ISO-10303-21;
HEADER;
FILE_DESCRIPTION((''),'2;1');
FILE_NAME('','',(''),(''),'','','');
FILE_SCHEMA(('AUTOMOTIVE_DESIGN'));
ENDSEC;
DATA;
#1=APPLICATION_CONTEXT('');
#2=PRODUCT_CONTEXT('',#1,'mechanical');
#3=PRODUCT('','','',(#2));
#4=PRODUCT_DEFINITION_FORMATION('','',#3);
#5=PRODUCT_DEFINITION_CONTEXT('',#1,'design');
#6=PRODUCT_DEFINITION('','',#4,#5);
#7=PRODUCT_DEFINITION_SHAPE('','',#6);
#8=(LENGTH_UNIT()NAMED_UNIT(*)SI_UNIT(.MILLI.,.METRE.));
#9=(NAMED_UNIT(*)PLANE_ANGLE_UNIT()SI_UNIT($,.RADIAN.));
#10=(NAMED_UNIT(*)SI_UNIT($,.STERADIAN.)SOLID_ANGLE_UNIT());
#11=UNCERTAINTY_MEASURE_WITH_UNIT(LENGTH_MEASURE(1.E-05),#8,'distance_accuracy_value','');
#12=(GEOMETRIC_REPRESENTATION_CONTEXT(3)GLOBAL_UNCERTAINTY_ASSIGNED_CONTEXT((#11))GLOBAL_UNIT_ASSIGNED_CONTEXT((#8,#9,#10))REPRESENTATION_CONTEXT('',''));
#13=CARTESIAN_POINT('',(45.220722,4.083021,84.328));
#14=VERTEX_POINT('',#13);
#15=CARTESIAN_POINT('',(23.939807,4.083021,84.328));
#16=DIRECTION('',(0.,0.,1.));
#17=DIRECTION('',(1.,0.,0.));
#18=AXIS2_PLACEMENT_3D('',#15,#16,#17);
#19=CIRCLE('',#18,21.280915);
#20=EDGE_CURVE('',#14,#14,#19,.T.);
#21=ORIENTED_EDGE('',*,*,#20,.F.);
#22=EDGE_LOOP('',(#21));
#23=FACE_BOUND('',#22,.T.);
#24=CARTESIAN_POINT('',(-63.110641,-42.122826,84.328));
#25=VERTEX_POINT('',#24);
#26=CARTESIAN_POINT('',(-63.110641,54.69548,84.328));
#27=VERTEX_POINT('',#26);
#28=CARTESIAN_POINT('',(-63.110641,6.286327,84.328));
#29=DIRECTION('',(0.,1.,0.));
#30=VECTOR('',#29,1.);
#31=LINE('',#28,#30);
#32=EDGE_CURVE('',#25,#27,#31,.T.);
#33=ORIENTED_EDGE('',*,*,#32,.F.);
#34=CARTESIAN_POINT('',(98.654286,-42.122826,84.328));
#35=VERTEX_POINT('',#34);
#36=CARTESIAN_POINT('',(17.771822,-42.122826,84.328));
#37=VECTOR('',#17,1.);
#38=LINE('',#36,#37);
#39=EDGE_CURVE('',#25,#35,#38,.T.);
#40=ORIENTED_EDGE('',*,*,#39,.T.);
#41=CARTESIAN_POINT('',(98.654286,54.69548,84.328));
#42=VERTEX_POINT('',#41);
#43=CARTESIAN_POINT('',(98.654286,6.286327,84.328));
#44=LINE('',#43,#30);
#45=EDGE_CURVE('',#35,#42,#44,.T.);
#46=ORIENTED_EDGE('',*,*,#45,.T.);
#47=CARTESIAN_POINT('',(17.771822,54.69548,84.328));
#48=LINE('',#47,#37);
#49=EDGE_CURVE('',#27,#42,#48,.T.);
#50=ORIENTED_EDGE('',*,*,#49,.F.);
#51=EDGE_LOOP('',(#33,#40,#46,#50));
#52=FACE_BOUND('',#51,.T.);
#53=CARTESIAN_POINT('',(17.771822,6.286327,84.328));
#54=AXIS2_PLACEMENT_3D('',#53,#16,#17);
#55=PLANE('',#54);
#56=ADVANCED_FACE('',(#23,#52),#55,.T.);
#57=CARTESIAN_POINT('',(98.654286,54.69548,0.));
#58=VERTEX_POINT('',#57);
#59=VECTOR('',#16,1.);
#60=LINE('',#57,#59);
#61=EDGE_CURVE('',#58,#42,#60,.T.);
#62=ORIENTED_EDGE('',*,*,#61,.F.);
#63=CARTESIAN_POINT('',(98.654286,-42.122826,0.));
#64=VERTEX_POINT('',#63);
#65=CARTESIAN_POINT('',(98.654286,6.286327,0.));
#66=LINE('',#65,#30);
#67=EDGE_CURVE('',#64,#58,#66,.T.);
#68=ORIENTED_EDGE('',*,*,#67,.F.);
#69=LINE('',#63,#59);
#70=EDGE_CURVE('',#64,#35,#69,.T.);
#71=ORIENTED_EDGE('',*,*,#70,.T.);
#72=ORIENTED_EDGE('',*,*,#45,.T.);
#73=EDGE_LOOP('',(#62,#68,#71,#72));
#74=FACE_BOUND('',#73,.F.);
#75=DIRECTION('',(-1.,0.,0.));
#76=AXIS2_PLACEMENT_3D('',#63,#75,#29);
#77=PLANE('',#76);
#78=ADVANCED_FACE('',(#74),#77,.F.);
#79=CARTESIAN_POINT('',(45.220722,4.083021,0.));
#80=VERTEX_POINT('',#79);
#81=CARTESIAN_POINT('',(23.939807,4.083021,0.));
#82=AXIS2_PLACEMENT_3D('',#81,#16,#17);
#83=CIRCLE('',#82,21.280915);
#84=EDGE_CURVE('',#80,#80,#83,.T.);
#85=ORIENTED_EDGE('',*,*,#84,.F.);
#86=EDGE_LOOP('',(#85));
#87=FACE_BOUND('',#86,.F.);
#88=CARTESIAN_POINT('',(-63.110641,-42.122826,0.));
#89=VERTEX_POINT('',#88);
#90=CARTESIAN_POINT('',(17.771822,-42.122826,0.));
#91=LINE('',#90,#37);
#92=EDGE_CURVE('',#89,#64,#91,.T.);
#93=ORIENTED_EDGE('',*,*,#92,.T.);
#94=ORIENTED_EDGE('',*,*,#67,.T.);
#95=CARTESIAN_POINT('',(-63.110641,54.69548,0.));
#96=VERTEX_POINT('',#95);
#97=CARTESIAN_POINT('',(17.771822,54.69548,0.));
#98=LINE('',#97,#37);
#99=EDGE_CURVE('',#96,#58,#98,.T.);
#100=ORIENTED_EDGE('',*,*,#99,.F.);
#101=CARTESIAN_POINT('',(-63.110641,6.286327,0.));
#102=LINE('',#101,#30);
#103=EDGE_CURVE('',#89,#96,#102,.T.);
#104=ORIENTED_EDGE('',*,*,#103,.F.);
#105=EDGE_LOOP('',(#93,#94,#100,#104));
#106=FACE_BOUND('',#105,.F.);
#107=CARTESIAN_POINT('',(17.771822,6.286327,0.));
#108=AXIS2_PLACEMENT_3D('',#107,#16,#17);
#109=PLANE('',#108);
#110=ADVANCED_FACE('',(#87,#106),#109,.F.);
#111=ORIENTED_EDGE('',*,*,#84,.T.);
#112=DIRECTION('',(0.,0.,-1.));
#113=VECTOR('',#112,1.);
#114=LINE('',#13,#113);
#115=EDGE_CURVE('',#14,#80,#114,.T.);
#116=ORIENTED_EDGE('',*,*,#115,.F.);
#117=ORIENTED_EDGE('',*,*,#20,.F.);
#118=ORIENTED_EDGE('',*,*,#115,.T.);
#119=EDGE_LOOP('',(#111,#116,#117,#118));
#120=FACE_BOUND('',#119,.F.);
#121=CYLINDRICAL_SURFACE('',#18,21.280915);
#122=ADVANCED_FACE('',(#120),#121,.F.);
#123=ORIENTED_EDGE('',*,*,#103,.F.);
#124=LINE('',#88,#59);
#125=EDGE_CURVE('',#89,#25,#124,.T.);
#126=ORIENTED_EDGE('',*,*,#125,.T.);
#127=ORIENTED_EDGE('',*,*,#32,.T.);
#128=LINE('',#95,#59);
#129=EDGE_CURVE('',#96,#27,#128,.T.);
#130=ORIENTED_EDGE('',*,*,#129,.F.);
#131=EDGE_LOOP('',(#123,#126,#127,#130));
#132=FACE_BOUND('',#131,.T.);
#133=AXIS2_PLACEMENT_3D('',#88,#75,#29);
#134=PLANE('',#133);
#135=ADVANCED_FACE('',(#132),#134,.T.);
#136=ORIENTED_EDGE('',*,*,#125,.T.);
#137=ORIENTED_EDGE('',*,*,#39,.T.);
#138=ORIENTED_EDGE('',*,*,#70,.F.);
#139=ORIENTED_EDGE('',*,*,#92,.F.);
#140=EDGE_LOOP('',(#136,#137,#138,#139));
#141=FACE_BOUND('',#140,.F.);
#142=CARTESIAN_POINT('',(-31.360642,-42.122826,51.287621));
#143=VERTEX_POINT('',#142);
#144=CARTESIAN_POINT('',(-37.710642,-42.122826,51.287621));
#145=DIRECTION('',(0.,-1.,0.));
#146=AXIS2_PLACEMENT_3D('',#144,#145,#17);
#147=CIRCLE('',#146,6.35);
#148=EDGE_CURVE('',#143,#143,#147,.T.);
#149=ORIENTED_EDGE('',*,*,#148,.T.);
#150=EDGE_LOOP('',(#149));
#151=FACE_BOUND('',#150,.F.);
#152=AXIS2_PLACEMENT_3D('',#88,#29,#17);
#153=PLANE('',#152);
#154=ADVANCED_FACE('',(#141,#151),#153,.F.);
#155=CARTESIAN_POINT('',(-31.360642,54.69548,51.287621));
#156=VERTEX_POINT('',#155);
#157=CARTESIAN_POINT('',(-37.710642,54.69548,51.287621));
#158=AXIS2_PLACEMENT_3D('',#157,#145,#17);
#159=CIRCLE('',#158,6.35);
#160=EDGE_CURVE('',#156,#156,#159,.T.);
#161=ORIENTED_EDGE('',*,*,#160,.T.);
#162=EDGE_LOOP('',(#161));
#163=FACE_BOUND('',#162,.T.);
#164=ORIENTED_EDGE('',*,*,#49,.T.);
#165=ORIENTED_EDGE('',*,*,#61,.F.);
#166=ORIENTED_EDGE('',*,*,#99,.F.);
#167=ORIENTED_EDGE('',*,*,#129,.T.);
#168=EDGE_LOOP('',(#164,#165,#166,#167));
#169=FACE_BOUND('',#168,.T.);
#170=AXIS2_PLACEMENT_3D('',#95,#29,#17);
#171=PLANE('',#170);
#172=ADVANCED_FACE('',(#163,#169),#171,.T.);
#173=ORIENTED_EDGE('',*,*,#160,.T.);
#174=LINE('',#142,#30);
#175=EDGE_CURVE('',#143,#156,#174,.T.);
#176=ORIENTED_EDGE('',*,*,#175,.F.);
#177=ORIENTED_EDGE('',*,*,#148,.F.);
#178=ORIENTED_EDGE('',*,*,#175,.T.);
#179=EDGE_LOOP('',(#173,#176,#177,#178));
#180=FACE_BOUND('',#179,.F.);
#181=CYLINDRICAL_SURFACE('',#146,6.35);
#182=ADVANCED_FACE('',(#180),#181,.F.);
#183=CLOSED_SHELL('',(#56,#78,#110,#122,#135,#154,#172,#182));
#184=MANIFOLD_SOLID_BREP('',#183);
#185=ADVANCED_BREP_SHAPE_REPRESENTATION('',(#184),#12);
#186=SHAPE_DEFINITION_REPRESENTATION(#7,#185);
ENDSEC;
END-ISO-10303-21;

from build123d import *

# Parameters (mm, degrees)
F0_W     = 161.764927
F0_H     = 96.818306
F1_DEPTH = 84.328
F2_R     = 21.280915
F3_DEPTH = 84.329
F4_R     = 6.35
F5_DEPTH = 96.819306


with BuildPart() as f1:
    # F0 (on Top) → F1 (new body)
    with BuildSketch(Plane.XY):
        with Locations((17.771822, 6.286327)):
            Rectangle(F0_W, F0_H)
    extrude(amount=F1_DEPTH)

    # F2 (on face) → F3 (cut, through all)
    with BuildSketch(Plane.XY.offset(84.328)):
        with Locations((23.939807, 4.083021)):
            Circle(F2_R)
    extrude(amount=-F3_DEPTH, mode=Mode.SUBTRACT)

    # F4 (on face) → F5 (cut, through all)
    with BuildSketch(Plane.XZ.offset(42.122826)):
        with Locations((-37.710642, 51.287621)):
            Circle(F4_R)
    extrude(amount=-F5_DEPTH, mode=Mode.SUBTRACT)


solid = f1.part
